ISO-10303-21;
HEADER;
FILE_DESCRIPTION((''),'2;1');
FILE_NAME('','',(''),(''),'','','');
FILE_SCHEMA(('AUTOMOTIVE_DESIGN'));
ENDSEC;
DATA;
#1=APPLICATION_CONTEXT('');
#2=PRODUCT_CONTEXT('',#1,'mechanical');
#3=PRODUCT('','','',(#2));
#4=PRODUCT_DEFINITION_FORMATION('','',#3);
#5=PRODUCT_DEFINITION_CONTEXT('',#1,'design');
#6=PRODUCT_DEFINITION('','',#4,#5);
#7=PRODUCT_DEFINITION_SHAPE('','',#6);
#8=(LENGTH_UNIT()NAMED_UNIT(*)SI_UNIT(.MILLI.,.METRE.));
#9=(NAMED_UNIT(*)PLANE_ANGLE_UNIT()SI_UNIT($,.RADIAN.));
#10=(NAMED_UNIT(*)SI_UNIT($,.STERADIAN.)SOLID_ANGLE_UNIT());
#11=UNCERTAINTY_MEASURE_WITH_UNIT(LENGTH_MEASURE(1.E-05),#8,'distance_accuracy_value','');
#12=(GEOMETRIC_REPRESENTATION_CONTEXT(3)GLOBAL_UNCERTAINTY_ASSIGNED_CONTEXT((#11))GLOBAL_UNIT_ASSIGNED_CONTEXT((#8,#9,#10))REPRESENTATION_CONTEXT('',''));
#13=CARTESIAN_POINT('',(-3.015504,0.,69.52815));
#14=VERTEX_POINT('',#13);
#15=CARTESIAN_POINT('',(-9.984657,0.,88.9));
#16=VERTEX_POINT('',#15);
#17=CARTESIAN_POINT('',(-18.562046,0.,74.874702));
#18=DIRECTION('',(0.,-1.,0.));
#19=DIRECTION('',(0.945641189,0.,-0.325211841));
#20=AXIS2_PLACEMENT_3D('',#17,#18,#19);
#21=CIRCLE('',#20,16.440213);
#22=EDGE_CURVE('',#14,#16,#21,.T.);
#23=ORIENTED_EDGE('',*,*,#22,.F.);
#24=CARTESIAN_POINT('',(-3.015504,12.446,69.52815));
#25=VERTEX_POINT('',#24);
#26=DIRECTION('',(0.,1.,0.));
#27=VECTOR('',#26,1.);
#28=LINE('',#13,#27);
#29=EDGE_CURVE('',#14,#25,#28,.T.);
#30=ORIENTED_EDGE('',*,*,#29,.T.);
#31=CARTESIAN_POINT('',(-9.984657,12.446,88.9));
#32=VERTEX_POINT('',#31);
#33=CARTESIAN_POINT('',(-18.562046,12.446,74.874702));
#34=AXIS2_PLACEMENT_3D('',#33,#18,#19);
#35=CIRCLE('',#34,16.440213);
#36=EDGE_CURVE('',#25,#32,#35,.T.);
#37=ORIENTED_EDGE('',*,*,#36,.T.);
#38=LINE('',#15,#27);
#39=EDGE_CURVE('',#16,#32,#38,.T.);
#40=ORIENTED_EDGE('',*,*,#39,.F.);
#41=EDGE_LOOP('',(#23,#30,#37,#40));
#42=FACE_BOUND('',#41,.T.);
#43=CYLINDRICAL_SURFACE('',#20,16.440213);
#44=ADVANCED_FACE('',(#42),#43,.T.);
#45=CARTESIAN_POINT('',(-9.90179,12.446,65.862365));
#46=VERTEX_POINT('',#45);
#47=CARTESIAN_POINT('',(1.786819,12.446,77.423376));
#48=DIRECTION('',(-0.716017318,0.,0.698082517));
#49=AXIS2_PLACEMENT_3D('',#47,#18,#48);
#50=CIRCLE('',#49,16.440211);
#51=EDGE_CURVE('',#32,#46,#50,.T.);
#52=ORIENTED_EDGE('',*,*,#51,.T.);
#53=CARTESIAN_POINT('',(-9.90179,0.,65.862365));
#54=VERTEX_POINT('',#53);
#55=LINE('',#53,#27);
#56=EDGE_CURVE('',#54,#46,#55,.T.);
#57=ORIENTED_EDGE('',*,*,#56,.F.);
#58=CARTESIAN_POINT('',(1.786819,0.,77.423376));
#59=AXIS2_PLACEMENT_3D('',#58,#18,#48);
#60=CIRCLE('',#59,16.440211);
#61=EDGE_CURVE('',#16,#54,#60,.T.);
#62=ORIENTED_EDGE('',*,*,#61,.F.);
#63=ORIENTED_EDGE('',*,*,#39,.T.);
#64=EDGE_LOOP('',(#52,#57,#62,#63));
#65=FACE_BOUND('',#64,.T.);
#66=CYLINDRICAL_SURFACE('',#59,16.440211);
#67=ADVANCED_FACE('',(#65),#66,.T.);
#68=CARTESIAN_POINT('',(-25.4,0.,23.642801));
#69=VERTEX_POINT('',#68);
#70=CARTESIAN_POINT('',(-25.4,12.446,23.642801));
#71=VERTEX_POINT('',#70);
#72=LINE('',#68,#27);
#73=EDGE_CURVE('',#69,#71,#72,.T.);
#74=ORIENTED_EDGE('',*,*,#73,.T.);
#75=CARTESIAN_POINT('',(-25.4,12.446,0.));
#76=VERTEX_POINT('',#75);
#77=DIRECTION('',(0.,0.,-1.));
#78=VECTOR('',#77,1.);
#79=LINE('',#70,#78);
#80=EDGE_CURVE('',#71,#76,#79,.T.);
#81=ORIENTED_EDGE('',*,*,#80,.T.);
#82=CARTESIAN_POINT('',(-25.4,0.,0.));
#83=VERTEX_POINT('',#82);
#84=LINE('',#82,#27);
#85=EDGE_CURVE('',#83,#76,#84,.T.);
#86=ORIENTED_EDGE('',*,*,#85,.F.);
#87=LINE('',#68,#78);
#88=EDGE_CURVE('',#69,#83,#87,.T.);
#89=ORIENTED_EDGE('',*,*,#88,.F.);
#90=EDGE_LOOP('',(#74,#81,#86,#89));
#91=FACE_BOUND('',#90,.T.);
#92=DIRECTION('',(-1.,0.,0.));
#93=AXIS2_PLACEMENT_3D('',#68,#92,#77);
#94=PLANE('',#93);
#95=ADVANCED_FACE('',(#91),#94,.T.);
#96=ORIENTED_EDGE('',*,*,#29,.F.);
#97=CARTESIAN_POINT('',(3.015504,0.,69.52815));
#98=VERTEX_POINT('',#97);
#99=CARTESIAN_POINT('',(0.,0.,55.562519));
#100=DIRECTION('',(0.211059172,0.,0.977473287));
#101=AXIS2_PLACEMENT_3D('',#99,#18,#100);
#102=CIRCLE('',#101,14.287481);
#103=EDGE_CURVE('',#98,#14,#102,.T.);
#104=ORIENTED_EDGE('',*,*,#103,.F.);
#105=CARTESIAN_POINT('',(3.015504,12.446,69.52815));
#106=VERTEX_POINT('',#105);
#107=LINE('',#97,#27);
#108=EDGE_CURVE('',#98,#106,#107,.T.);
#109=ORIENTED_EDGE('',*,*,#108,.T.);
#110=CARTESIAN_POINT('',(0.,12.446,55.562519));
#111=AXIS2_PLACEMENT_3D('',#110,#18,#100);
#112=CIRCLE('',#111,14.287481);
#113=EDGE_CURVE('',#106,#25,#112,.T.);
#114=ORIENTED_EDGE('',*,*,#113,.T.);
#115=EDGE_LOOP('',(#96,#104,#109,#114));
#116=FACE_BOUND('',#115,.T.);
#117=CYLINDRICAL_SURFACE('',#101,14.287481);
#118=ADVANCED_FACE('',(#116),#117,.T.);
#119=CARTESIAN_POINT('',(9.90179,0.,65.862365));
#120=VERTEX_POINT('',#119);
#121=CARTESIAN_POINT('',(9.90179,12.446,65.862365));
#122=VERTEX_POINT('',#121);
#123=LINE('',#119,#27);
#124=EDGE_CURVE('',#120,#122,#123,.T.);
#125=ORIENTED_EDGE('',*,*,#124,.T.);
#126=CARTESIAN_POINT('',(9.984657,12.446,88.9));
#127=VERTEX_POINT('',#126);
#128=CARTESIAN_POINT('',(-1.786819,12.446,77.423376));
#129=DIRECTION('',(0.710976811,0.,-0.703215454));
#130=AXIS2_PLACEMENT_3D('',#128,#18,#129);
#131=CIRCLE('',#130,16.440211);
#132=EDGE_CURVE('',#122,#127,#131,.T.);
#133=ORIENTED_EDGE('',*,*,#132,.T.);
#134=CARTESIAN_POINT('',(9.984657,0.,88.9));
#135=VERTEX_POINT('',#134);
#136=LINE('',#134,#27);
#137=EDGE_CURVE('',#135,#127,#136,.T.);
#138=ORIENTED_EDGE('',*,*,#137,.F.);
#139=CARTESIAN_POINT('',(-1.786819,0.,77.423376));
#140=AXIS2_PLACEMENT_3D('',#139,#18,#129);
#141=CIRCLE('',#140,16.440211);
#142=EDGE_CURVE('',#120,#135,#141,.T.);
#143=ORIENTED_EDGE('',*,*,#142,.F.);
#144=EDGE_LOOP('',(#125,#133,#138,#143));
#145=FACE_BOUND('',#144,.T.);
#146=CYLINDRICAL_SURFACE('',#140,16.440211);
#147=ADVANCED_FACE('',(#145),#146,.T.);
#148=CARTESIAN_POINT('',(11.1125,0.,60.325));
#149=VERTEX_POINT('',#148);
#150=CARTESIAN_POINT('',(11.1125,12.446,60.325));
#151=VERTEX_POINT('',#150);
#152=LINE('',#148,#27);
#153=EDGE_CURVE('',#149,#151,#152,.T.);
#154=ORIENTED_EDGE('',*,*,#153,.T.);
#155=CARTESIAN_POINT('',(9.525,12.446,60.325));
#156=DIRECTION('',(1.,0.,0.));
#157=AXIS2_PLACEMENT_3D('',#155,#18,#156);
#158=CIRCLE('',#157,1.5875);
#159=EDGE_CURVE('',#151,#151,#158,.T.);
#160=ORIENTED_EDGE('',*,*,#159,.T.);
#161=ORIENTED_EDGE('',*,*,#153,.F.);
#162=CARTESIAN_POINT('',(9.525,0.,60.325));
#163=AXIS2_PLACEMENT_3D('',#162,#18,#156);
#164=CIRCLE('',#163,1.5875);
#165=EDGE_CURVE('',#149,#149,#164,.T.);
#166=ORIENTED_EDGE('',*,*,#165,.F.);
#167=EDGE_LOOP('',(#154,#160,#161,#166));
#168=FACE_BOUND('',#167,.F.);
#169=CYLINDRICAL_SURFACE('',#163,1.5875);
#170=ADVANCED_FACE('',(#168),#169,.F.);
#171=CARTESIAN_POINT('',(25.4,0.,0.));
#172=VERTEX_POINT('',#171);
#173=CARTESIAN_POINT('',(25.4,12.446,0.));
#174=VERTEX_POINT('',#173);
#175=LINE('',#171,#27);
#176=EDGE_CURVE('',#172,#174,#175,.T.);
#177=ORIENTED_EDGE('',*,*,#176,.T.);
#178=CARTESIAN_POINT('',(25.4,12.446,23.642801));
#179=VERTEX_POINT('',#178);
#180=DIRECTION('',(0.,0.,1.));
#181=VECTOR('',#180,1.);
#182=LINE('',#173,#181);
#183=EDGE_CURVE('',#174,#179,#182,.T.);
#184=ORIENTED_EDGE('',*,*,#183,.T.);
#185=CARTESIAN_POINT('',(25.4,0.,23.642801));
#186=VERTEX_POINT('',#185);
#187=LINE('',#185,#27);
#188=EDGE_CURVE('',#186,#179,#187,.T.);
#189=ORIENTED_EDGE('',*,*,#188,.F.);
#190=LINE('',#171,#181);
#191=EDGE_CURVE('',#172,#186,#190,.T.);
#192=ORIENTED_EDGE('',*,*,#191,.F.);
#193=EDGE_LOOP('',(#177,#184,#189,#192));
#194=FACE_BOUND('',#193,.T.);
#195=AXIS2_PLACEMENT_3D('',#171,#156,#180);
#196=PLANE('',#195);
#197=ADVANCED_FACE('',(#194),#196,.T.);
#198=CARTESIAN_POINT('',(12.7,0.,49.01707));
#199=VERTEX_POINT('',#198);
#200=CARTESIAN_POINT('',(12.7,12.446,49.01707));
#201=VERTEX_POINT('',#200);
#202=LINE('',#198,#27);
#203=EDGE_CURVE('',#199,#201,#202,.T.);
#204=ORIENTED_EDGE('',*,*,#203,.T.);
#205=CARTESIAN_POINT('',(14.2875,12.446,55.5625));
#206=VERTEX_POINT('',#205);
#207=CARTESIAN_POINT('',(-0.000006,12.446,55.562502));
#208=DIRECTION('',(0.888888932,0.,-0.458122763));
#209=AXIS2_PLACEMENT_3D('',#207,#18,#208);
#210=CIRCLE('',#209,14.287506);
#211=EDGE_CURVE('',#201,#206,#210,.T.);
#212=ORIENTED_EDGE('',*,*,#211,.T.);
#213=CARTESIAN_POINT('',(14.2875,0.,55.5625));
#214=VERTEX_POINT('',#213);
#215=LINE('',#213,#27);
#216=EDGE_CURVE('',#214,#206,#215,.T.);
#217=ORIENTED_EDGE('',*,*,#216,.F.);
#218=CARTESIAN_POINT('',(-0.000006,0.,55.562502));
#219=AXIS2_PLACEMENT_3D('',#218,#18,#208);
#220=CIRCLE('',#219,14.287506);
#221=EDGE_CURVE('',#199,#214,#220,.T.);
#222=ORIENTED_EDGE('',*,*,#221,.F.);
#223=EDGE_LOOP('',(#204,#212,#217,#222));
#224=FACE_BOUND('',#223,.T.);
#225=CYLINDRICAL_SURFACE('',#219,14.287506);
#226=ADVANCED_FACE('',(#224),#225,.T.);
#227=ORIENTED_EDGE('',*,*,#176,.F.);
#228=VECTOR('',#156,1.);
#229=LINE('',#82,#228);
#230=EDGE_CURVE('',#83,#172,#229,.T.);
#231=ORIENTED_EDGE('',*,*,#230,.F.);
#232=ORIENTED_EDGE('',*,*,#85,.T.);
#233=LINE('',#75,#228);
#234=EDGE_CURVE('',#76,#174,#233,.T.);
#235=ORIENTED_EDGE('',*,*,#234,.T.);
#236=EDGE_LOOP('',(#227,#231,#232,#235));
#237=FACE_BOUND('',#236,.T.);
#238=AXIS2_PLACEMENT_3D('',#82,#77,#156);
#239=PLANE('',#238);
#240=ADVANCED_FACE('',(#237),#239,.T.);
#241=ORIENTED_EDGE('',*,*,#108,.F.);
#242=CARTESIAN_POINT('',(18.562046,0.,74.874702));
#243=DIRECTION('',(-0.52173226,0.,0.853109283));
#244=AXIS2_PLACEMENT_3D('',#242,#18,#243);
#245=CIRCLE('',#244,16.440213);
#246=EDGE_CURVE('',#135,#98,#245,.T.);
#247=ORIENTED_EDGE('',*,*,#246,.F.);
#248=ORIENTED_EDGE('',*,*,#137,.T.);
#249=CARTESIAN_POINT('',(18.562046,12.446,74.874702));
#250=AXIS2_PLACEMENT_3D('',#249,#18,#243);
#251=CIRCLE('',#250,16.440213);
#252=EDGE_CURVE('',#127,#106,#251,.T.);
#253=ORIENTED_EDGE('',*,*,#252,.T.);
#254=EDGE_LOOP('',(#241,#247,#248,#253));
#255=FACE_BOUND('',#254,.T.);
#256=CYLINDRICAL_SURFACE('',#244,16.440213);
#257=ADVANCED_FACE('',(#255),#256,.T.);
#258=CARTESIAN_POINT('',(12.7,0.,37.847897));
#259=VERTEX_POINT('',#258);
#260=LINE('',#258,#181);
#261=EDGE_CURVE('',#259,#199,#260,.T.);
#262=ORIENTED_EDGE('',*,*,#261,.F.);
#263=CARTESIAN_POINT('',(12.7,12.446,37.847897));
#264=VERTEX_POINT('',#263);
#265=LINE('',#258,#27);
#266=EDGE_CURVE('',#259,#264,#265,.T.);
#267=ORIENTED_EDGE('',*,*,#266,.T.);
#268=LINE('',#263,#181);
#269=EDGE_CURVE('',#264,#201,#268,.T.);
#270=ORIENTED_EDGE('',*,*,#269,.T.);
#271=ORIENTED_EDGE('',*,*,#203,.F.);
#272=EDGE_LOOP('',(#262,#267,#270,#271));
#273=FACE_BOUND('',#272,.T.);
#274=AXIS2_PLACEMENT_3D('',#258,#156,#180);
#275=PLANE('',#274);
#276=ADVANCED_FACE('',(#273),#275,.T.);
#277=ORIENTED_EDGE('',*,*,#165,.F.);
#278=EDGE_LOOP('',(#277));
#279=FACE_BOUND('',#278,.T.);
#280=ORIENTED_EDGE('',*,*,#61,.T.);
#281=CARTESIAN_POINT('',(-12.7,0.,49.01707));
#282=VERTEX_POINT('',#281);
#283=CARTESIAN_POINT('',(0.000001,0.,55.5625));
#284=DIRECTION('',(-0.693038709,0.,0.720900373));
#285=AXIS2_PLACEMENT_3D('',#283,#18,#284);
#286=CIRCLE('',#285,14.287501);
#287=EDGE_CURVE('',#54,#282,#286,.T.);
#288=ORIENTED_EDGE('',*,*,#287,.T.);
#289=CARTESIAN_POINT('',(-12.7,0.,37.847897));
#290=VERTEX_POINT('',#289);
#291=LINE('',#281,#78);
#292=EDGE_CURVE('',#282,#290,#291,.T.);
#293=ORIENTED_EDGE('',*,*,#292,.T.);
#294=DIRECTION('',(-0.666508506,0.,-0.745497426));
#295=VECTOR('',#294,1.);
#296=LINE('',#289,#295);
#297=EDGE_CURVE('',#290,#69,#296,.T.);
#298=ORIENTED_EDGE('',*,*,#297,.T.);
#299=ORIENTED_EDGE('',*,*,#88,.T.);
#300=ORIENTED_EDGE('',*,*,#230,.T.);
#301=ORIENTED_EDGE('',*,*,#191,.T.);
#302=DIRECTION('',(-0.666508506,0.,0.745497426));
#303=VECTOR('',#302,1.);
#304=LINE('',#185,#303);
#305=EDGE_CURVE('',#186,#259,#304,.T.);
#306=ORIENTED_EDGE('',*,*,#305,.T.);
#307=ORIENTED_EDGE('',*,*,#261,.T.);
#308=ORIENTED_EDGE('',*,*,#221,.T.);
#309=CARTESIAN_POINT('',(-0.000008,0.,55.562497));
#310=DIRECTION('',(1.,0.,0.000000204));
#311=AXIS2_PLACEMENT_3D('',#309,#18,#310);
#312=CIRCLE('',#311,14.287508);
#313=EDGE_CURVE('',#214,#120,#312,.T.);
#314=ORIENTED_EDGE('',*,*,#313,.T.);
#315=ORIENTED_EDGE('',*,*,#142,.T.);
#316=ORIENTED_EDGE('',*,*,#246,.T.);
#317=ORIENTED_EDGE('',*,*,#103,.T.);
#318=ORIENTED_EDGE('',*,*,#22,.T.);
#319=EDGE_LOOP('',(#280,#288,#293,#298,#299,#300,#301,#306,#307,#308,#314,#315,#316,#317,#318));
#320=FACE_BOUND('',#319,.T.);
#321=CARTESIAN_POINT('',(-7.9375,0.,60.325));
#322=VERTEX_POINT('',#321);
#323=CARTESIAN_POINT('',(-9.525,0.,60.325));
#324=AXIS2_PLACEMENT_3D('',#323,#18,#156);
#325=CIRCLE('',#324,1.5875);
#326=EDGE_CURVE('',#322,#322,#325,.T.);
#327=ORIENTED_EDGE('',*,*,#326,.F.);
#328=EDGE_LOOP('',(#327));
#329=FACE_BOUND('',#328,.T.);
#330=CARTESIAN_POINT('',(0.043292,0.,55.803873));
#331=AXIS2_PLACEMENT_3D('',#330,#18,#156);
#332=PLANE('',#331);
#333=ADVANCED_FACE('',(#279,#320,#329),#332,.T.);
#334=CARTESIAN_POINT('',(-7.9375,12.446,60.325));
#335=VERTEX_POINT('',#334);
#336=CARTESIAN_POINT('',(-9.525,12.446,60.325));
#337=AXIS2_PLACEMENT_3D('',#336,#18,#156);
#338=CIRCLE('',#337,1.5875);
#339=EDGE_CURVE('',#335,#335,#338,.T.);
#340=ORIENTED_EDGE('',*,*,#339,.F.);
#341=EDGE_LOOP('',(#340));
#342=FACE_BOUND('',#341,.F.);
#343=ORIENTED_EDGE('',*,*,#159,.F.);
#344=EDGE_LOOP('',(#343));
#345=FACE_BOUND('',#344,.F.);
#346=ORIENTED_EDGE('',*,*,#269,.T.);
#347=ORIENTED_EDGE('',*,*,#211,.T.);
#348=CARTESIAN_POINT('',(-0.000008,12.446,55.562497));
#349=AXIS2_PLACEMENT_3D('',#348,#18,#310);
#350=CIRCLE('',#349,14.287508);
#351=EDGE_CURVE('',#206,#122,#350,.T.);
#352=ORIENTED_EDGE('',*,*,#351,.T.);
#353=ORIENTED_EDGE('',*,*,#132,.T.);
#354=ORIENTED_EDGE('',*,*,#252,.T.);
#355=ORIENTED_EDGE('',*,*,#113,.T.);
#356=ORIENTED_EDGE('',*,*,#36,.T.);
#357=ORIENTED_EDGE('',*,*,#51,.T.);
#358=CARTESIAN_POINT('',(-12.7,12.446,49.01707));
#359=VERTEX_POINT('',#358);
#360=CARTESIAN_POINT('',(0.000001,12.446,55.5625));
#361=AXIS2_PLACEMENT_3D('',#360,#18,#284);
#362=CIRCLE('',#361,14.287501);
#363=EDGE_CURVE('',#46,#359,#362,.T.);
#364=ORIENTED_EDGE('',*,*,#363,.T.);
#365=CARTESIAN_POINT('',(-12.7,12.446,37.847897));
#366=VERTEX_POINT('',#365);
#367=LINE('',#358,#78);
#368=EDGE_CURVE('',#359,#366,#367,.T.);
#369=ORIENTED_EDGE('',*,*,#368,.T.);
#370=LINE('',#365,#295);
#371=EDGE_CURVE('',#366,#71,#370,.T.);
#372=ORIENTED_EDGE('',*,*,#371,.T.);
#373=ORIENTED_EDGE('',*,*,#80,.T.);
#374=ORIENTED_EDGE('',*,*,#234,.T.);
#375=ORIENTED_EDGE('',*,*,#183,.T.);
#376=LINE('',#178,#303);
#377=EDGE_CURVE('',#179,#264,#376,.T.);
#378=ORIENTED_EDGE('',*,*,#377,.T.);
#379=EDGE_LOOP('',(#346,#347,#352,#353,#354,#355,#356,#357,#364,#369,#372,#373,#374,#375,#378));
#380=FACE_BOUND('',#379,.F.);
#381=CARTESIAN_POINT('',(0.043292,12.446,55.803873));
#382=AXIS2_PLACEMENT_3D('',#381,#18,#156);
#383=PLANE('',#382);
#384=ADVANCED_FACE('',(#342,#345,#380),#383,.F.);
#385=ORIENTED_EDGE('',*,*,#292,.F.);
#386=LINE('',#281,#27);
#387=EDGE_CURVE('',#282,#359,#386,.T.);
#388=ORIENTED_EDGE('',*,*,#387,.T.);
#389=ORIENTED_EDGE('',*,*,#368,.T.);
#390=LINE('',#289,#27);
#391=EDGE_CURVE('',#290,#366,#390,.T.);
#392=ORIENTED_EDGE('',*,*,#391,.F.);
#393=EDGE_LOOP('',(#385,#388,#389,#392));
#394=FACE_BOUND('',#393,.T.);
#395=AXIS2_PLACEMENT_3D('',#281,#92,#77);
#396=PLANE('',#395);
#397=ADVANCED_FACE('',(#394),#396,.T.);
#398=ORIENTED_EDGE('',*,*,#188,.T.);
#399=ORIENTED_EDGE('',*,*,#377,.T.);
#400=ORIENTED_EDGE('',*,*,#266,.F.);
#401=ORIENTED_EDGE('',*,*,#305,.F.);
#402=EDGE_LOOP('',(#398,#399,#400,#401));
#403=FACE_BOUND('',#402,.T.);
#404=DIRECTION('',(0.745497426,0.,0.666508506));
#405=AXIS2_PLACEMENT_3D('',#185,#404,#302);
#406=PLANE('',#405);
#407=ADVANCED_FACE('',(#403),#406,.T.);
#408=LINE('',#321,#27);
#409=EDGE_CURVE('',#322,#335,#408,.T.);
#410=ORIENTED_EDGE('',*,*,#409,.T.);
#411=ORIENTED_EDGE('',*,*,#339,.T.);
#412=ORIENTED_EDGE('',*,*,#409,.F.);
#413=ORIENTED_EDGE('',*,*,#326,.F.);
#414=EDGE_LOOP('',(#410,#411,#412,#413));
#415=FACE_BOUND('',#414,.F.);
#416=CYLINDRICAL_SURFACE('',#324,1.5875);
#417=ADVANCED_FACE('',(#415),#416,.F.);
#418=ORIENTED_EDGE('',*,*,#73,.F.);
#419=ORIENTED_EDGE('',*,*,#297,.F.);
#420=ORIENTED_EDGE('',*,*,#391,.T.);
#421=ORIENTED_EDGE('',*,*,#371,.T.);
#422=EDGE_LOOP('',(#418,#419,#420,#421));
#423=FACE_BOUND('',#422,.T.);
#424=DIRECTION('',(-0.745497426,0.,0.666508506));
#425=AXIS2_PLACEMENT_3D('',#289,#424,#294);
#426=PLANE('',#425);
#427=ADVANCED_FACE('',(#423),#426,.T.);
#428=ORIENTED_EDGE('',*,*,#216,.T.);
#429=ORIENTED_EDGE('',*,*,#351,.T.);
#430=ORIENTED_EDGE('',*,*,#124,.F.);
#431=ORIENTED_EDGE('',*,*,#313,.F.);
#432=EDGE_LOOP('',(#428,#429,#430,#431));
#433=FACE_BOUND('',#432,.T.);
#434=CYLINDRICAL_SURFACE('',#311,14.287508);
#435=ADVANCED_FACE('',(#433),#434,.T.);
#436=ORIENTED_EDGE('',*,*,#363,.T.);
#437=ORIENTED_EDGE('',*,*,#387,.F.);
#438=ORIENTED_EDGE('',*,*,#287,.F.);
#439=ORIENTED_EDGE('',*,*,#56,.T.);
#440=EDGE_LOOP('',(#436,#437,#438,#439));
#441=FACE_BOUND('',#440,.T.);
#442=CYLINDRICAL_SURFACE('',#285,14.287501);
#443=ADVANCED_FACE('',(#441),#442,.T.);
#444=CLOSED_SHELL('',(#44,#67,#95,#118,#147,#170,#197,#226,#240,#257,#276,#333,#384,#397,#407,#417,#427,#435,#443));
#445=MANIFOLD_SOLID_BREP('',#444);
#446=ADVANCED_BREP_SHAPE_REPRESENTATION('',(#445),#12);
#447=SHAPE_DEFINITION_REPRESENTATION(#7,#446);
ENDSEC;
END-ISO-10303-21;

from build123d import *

# Parameters (mm, degrees)
F0_R     = 1.5875
F1_DEPTH = 12.446


with BuildPart() as f1:
    # F0 (on Front) → F1 (new body)
    with BuildSketch(Plane.XZ):
        with BuildLine():
            ThreePointArc((12.7, 49.01707), (13.884954, 52.194904), (14.2875, 55.5625))
            ThreePointArc((14.2875, 55.5625), (13.145426, 61.159858), (9.90179, 65.862365))
            ThreePointArc((9.90179, 65.862365), (6.713689, 68.174361), (3.015504, 69.52815))
            ThreePointArc((3.015504, 69.52815), (0, 69.85), (-3.015504, 69.52815))
            ThreePointArc((-3.015504, 69.52815), (-6.713689, 68.174361), (-9.90179, 65.862365))
            ThreePointArc((-9.90179, 65.862365), (-14.094368, 57.903748), (-12.7, 49.01707))
            ThreePointArc((-12.7, 49.01707), (0, 41.275), (12.7, 49.01707))
        make_face()
        with Locations((-9.525, 60.325)):
            Circle(F0_R, mode=Mode.SUBTRACT)
        with Locations((9.525, 60.325)):
            Circle(F0_R, mode=Mode.SUBTRACT)
        with BuildLine():
            ThreePointArc((3.015504, 69.52815), (6.713689, 68.174361), (9.90179, 65.862365))
            ThreePointArc((9.90179, 65.862365), (14.653286, 77.36424), (9.984657, 88.9))
            ThreePointArc((9.984657, 88.9), (3.092458, 80.43999), (3.015504, 69.52815))
        make_face()
        with BuildLine():
            Line((12.7, 37.847897), (12.7, 49.01707))
            ThreePointArc((12.7, 49.01707), (0, 41.275), (-12.7, 49.01707))
            Line((-12.7, 49.01707), (-12.7, 37.847897))
            Line((-12.7, 37.847897), (-25.4, 23.642801))
            Line((-25.4, 23.642801), (-25.4, 0))
            Line((-25.4, 0), (0, 0))
            Line((0, 0), (25.4, 0))
            Line((25.4, 0), (25.4, 23.642801))
            Line((25.4, 23.642801), (12.7, 37.847897))
        make_face()
        with BuildLine():
            ThreePointArc((-9.90179, 65.862365), (-6.713689, 68.174361), (-3.015504, 69.52815))
            ThreePointArc((-3.015504, 69.52815), (-3.092458, 80.43999), (-9.984657, 88.9))
            ThreePointArc((-9.984657, 88.9), (-14.653286, 77.36424), (-9.90179, 65.862365))
        make_face()
    extrude(amount=-F1_DEPTH)


solid = f1.part
